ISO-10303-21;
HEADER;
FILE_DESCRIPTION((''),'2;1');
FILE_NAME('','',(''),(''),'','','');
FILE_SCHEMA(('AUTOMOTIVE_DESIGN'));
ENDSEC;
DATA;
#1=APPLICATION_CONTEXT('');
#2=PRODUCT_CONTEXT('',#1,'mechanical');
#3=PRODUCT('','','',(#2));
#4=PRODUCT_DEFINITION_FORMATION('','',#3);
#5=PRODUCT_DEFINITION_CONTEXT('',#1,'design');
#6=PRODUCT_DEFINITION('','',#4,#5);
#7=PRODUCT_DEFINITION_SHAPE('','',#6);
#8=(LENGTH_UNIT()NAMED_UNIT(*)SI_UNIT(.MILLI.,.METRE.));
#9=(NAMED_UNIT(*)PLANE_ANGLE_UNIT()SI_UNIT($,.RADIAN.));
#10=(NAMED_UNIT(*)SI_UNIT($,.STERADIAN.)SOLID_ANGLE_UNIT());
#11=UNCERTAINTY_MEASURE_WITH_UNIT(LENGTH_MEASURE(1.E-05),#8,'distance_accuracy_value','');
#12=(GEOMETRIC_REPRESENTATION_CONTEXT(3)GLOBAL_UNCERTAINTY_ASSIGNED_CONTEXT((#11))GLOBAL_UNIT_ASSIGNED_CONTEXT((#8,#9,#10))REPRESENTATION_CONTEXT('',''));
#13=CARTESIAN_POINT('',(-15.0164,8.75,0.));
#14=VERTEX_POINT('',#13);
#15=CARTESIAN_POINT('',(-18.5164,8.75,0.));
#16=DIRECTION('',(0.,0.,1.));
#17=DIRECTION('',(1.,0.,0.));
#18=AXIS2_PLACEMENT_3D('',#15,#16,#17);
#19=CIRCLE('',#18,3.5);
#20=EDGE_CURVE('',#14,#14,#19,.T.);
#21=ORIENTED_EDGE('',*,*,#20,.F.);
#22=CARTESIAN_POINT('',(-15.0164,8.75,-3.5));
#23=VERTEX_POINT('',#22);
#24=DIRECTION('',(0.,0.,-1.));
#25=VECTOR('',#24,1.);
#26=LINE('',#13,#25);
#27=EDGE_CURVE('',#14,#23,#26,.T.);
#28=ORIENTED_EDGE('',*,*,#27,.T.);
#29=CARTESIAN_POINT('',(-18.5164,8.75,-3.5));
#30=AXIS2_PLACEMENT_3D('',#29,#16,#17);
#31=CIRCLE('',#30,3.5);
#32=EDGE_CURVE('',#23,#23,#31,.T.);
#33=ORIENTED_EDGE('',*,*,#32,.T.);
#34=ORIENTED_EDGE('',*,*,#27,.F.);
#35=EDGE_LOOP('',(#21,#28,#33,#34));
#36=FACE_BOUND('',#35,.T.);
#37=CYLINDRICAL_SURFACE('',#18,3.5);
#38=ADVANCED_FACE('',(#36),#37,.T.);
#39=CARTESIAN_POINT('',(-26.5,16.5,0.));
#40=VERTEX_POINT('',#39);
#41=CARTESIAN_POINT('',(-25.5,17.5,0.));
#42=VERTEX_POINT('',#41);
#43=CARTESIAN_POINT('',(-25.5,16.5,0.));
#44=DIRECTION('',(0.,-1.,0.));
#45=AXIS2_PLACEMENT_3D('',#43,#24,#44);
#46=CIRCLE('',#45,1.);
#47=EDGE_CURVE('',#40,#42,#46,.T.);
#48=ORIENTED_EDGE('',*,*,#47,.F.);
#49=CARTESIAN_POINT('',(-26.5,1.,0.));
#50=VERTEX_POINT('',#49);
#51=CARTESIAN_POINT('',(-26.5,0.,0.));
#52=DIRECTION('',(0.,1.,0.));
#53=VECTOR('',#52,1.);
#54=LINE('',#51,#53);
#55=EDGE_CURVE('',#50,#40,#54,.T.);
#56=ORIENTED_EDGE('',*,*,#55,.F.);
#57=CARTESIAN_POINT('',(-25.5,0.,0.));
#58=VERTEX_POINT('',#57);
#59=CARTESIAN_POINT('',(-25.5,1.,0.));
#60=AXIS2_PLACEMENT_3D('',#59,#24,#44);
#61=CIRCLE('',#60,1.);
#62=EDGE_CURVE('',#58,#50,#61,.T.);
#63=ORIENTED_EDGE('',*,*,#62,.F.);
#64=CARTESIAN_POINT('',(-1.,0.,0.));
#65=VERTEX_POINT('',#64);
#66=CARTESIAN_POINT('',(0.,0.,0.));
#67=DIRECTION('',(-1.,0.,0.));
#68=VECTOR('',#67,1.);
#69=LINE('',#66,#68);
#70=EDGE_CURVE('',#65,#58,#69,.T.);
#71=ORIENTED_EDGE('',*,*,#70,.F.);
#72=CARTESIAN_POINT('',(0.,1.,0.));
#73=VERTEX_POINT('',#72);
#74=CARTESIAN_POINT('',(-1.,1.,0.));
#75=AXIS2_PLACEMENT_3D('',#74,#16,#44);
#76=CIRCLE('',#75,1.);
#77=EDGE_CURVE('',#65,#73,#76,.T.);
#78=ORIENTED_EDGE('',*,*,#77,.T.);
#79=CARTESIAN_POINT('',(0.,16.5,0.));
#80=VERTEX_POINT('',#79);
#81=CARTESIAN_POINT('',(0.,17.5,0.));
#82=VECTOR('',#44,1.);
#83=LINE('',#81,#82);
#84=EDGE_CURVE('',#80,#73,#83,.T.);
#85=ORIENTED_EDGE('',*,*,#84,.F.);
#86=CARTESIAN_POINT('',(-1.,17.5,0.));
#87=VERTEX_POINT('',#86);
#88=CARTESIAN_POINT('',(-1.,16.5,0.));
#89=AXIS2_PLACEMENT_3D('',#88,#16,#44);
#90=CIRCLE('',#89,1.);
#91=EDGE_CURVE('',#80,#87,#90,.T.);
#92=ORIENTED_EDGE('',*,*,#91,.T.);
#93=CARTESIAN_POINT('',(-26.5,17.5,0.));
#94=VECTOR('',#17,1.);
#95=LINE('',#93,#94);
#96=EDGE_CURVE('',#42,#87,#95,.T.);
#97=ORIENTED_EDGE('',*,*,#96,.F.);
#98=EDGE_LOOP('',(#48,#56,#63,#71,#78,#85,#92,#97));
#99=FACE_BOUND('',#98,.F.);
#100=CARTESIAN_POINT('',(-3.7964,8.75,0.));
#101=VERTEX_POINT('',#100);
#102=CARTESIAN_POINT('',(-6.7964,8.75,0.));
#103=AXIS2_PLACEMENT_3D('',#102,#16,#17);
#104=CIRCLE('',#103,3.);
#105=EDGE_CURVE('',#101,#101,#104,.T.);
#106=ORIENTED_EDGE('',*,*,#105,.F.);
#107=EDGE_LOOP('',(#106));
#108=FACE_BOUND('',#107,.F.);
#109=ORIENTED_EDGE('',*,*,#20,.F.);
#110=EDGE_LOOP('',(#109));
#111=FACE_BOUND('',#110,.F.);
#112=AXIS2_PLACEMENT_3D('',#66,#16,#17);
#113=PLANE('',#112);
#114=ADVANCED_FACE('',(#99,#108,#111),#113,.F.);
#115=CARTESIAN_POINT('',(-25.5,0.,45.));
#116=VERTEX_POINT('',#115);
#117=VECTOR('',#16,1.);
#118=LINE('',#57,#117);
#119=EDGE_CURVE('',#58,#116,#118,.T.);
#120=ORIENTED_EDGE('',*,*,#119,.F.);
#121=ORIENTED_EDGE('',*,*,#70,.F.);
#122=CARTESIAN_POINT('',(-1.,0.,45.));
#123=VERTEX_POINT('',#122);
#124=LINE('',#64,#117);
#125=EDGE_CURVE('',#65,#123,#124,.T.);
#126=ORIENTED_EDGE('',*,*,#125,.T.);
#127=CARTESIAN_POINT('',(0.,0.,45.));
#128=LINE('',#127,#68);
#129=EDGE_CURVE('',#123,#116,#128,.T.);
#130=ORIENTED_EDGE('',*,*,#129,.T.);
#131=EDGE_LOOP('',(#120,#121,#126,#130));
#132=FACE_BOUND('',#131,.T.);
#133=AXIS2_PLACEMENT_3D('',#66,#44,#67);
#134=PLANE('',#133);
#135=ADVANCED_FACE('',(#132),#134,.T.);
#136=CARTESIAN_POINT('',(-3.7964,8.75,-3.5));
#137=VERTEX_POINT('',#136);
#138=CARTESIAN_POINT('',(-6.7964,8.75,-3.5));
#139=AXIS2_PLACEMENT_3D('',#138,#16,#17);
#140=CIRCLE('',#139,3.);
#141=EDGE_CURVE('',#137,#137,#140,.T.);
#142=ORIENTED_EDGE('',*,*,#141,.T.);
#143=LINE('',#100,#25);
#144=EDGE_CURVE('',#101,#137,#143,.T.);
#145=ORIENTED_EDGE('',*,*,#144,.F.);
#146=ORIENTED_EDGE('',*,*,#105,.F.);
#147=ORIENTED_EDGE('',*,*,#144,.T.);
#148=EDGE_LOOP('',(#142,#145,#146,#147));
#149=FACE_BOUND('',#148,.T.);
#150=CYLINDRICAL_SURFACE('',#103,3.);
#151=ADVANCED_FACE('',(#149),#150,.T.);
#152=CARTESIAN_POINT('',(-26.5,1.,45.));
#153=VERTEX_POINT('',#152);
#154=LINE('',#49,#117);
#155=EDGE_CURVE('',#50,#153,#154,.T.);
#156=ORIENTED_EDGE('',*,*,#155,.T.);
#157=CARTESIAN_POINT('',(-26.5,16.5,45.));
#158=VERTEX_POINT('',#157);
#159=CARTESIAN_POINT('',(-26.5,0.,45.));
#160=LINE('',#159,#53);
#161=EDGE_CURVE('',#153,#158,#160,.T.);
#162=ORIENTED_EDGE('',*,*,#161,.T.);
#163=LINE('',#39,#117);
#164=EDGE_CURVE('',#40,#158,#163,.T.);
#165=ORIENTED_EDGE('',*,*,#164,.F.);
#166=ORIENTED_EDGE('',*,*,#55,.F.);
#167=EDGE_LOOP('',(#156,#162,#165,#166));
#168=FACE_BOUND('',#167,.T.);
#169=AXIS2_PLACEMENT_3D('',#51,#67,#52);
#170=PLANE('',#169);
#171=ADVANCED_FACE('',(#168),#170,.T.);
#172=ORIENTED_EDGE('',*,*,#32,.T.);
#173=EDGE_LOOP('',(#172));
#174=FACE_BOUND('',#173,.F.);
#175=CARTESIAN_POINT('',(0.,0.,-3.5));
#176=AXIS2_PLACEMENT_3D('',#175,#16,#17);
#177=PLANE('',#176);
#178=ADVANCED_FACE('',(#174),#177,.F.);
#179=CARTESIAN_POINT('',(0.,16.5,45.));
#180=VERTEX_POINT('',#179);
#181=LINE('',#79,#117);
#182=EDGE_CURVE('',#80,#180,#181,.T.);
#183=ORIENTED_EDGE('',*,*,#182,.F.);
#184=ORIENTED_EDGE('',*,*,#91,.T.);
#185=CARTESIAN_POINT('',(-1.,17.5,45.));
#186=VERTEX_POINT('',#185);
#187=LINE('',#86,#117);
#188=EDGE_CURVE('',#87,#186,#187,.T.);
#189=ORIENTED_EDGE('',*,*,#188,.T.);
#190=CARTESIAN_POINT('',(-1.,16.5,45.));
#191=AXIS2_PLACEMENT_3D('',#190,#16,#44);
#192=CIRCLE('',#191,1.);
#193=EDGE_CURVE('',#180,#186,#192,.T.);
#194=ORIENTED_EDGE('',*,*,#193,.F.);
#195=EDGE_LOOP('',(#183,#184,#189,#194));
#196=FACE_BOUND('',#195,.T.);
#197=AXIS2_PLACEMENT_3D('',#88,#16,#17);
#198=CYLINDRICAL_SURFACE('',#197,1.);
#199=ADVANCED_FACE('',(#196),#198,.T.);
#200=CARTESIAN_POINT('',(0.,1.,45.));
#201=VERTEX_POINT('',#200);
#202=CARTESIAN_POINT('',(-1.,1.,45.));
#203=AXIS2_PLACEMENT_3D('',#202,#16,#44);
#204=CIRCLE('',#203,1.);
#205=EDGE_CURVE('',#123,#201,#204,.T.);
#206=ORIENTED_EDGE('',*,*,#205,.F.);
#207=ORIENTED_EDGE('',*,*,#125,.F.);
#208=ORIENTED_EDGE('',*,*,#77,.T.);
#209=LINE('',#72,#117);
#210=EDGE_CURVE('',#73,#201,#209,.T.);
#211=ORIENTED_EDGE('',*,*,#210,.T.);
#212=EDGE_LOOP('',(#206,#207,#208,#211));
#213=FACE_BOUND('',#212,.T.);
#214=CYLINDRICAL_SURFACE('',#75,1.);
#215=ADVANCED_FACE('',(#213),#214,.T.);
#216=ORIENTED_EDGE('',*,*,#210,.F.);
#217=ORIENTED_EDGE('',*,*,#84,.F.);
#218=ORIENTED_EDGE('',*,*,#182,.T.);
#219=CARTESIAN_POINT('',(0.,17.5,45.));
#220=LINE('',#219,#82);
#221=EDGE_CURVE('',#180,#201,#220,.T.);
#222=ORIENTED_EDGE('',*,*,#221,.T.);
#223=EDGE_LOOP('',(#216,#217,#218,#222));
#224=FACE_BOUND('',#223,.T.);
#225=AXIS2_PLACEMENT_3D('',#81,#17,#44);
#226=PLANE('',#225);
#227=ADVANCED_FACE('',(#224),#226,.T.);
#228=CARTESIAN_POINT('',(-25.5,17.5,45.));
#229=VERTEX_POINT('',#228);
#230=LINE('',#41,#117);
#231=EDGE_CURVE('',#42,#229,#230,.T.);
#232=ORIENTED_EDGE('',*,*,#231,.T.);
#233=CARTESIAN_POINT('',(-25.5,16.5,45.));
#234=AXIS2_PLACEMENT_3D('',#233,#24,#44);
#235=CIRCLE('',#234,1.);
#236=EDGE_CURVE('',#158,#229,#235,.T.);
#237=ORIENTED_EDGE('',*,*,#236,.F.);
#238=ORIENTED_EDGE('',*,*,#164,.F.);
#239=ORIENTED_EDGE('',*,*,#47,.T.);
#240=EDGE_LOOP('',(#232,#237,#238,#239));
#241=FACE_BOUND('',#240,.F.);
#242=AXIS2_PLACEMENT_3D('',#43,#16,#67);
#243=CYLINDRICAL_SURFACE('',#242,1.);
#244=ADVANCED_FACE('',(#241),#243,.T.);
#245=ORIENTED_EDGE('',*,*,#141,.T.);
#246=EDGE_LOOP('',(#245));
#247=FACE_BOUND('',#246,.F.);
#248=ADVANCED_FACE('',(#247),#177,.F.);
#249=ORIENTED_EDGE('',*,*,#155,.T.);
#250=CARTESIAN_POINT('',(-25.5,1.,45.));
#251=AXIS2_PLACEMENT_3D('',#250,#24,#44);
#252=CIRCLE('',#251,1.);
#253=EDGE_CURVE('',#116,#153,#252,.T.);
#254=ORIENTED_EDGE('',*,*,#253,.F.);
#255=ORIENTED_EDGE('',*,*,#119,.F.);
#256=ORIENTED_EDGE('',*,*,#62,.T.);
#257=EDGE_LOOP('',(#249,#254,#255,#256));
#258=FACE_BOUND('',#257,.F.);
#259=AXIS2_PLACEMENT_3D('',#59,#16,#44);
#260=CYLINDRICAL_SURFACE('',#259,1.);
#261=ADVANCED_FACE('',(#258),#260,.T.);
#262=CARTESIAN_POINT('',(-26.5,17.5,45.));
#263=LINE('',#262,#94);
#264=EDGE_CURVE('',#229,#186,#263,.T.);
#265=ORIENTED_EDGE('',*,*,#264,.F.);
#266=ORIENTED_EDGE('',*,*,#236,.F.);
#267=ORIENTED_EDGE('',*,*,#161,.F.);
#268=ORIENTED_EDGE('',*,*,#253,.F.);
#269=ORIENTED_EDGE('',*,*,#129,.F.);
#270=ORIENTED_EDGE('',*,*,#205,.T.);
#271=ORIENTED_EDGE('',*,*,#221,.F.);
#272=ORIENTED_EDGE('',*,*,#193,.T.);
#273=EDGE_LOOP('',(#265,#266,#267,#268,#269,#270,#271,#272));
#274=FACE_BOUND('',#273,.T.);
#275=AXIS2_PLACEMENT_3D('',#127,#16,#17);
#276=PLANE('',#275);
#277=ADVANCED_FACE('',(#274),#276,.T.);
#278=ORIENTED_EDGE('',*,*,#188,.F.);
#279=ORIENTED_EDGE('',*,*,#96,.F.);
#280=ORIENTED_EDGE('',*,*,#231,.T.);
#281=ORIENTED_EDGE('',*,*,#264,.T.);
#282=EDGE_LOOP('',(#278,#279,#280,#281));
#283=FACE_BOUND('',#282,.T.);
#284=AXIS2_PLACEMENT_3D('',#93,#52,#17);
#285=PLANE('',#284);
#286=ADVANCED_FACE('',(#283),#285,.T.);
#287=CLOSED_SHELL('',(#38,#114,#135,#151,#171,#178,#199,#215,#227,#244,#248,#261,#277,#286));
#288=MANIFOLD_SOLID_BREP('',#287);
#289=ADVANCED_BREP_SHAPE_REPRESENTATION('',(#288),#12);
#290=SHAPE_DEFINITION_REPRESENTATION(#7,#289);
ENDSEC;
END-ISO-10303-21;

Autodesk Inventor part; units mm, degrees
ref_plane "YZ Plane" through (0, 0, 0) normal (1, 0, 0) x (0, 1, 0)
ref_plane "XZ Plane" through (0, 0, 0) normal (0, 1, 0) x (-1, 0, 0)
ref_plane "XY Plane" through (0, 0, 0) normal (0, 0, 1) x (1, 0, 0)
sketch "スケッチ1" plane through (0, 0, 0) normal (0, 0, 1) x (1, 0, 0)
  line L0 (0, 0) -> (-26.5, 0)
  line L1 (-26.5, 0) -> (-26.5, 17.5)
  line L2 (-26.5, 17.5) -> (0, 17.5)
  line L3 (0, 17.5) -> (0, 0)
  circle A0 centre (-18.5164, 8.75) radius 3.5
  circle A1 centre (-6.7964, 8.75) radius 3
  dimension "d1" = 26.5
  dimension "d2" = 17.5
  dimension "d3" = 7
  dimension "d4" = 6
  dimension "d5" = 8.75
  dimension "d6" = 8.75
extrude "押し出し1" add sketch "スケッチ1" along normal blind 45 contours L0 L1 L2 L3 | A0 | A1
extrude "押し出し2" add sketch "スケッチ1" against normal blind 3.5 contours A0 | A1
fillet "フィレット1" radius 1 4 edges at (-26.5, 17.5, 22.5) (-26.5, 0, 22.5) (0, 17.5, 22.5) (0, 0, 22.5)
properties part number "Battery06P"
